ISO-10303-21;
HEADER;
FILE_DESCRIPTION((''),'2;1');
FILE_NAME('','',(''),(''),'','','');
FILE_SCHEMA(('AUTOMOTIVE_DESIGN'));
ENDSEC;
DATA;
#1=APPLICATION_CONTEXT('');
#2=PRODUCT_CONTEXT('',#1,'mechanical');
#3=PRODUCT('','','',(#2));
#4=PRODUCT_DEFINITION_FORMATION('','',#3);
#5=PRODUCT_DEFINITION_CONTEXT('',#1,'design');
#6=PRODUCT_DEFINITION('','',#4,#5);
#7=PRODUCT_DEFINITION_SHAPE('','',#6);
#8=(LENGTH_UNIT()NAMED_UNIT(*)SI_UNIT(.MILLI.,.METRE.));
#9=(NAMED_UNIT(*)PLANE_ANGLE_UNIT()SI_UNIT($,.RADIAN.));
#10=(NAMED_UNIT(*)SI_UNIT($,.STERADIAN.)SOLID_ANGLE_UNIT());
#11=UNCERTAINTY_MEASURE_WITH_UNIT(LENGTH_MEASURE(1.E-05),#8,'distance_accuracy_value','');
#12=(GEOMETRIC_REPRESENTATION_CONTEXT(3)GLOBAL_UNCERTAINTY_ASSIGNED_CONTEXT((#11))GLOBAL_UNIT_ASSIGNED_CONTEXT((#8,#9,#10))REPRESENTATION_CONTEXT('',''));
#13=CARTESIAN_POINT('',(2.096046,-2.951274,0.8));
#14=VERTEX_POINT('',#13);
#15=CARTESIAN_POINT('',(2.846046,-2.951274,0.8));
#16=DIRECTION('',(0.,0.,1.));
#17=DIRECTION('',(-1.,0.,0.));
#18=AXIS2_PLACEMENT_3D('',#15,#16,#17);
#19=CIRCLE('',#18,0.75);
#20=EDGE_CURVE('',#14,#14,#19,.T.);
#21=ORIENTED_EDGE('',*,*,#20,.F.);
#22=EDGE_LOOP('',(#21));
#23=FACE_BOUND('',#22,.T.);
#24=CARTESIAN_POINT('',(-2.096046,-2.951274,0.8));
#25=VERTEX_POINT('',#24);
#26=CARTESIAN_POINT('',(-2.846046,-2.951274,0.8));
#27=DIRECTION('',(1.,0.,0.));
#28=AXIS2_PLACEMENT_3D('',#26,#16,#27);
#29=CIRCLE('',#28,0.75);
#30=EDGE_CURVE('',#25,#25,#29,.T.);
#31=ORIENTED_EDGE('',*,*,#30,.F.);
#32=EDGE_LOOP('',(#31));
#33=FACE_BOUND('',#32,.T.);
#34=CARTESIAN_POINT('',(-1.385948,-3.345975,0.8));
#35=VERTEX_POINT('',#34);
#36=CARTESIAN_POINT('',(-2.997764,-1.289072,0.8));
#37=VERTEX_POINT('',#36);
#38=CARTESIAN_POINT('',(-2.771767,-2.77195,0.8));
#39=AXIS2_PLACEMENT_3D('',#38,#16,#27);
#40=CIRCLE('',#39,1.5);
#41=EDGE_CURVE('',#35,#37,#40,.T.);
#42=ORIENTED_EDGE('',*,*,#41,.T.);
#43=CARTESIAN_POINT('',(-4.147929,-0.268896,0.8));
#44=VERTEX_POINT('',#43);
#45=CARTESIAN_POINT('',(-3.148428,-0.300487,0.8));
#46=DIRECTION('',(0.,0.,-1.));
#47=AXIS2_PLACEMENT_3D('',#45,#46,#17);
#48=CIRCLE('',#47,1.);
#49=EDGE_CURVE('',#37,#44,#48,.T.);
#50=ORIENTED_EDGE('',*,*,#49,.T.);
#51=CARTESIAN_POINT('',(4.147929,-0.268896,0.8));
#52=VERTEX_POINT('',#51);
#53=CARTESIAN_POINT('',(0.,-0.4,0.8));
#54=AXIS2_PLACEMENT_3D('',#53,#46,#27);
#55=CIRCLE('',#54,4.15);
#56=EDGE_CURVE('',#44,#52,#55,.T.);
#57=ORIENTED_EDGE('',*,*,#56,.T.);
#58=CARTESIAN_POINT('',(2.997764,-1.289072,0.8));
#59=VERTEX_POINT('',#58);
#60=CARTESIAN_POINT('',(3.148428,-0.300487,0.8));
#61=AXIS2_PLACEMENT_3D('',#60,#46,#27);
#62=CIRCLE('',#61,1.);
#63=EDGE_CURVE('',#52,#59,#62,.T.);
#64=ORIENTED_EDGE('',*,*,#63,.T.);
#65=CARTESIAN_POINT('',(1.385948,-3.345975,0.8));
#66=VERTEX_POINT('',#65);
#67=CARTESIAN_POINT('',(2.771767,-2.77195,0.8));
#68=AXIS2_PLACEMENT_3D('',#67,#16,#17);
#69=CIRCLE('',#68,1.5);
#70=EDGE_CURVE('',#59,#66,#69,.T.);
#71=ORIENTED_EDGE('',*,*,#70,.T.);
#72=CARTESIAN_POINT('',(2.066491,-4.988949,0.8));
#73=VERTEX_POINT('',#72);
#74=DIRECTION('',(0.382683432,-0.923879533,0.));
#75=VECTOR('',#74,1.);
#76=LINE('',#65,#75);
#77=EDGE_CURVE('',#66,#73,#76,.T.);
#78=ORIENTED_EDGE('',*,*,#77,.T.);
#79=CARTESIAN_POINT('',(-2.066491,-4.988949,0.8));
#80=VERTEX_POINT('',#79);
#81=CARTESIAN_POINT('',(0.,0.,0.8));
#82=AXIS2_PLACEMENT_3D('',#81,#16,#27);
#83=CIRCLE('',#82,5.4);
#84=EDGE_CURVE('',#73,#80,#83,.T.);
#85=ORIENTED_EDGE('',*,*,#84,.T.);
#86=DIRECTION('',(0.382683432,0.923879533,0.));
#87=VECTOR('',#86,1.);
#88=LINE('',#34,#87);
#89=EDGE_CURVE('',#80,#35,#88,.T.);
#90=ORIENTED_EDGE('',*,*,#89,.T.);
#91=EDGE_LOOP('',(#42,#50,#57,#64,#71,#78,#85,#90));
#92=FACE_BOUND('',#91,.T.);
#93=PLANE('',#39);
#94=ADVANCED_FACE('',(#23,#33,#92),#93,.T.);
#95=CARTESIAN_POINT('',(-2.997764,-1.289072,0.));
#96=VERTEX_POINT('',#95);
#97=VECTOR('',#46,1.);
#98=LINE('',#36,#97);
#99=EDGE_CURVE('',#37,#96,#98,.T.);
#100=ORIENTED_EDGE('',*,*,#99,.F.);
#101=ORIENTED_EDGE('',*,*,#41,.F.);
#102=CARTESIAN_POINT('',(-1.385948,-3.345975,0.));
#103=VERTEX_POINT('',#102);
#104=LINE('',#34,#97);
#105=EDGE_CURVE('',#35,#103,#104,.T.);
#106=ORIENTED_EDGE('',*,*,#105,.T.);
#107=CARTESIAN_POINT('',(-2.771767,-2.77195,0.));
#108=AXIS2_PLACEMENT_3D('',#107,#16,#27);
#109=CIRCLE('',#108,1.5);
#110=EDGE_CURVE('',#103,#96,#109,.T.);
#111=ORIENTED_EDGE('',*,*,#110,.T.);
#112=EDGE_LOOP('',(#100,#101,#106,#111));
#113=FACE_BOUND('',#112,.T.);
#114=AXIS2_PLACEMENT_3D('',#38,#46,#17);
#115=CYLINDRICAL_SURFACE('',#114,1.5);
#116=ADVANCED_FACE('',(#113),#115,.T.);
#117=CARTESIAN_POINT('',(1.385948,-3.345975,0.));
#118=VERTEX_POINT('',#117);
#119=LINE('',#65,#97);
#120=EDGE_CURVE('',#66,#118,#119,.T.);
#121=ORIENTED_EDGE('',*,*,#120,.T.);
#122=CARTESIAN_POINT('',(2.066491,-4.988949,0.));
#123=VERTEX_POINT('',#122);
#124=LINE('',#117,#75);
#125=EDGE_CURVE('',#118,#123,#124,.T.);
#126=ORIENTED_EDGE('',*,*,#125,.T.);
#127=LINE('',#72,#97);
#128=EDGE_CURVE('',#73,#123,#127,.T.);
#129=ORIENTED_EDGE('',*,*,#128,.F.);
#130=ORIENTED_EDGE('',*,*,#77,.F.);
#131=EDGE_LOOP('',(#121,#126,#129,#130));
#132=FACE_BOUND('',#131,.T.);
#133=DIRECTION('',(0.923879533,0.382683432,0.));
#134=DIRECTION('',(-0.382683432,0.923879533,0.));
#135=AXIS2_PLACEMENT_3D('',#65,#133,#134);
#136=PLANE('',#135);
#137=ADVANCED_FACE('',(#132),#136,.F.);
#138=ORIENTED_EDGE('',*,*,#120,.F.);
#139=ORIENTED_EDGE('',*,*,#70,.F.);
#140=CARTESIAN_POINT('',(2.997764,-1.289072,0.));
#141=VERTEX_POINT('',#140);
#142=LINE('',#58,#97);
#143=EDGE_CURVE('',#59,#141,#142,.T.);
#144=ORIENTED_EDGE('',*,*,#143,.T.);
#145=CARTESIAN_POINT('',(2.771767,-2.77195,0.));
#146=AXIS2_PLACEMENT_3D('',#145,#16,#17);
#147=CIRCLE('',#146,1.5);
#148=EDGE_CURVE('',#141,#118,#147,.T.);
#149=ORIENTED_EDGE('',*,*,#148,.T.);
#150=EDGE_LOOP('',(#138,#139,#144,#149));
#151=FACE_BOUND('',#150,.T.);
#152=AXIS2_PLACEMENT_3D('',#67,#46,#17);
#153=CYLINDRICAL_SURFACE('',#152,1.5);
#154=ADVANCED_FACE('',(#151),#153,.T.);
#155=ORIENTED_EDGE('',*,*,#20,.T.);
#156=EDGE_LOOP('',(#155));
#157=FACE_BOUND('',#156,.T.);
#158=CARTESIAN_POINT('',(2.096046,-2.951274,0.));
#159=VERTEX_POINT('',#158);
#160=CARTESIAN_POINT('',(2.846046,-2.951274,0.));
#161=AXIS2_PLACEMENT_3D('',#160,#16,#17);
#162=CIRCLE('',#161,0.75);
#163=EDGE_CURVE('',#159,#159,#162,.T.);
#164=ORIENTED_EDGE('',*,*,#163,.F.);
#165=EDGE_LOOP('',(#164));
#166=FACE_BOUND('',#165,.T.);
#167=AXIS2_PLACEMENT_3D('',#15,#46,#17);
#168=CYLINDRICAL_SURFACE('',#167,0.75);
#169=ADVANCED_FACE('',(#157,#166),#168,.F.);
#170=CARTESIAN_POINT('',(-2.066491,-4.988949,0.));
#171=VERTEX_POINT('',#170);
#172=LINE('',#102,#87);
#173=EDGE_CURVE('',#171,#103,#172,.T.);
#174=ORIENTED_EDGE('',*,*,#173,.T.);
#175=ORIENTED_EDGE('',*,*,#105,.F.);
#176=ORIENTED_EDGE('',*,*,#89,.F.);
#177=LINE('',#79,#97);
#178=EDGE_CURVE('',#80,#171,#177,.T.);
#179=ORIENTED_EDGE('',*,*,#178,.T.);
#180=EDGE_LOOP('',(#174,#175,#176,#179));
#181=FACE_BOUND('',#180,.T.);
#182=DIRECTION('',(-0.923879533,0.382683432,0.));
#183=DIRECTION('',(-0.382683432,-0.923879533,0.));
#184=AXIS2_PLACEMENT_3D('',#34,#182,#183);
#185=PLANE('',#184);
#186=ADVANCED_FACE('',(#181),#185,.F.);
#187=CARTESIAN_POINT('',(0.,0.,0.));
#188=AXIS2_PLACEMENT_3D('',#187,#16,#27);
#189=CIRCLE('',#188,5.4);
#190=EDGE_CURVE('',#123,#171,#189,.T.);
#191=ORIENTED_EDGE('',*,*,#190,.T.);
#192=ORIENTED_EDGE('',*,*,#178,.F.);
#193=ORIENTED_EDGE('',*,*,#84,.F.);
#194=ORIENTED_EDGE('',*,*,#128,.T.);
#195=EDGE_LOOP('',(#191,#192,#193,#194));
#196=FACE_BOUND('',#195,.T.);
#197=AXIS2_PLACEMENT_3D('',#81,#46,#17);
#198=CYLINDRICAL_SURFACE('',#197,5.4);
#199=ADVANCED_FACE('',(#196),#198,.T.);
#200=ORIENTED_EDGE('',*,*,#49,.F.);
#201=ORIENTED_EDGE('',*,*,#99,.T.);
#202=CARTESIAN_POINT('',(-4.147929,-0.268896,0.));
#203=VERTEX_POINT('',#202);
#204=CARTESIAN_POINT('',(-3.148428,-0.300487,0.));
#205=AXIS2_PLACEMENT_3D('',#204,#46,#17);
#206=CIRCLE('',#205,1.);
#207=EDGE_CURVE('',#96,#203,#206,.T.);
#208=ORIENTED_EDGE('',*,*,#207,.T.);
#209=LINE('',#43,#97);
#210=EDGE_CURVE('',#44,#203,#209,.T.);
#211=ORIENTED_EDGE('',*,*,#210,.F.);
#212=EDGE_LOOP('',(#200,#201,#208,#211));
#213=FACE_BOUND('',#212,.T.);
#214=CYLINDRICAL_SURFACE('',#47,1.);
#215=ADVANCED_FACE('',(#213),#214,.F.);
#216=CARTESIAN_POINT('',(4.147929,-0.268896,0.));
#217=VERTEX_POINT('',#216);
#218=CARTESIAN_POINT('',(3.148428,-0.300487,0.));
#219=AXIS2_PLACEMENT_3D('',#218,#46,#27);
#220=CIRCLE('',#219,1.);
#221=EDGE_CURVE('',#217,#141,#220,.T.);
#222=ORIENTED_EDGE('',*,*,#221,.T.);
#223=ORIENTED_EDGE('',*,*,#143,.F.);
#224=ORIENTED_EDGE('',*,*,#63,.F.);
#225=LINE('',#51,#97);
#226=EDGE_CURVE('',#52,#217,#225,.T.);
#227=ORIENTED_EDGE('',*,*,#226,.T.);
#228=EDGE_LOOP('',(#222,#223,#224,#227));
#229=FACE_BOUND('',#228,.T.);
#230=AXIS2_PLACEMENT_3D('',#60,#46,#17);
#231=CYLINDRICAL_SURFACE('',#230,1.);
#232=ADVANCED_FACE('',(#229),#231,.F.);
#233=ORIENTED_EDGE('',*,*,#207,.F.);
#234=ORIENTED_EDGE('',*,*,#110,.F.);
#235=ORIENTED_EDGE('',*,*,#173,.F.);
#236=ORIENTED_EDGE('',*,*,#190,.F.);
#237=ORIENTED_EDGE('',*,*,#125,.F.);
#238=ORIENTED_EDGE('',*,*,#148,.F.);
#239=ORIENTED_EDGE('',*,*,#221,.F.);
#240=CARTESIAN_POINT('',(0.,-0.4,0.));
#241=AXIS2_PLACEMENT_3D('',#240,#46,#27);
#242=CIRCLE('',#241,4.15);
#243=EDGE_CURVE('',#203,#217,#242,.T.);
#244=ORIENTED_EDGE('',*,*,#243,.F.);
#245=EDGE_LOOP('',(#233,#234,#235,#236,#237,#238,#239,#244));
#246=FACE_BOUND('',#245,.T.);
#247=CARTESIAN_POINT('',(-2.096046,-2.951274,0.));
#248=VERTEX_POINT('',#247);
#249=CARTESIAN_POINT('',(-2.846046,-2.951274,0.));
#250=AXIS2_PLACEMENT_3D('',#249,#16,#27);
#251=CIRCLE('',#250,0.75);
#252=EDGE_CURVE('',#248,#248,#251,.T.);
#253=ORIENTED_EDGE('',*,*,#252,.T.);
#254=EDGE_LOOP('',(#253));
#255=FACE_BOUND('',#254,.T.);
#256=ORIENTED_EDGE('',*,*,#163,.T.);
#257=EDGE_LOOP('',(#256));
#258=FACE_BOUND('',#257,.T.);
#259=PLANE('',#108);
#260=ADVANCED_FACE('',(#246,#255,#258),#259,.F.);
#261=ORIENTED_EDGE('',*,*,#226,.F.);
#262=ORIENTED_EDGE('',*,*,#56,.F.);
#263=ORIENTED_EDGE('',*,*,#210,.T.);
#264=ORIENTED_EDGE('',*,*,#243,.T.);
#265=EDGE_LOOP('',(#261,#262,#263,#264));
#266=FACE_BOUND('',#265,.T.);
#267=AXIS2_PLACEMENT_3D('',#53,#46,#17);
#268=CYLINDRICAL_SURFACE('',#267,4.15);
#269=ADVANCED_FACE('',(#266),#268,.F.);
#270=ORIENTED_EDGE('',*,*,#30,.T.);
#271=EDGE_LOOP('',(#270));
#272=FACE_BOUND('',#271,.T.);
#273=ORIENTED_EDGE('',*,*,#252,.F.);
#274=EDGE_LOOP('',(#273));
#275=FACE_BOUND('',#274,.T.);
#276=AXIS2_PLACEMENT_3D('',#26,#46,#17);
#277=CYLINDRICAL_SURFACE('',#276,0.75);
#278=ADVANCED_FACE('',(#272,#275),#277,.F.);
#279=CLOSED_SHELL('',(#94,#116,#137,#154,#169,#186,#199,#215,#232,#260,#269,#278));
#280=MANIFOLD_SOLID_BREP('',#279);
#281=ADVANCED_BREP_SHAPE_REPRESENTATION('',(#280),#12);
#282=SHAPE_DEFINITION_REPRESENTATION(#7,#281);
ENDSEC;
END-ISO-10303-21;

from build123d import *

# Parameters (mm, degrees)
SKETCH_1_R        = 0.75
EXTRUDE_879_DEPTH = 0.8


with BuildPart() as part:
    # 草图1 → Extrude 879 (new body)
    with BuildSketch(Plane.XY):
        with BuildLine():
            Line((-1.385948162, -3.345974849), (-2.066490535, -4.988949476))
            ThreePointArc((-2.066490535, -4.988949476), (0, 5.4), (2.066490535, -4.988949476))
            Line((2.066490535, -4.988949476), (1.385948162, -3.345974849))
            ThreePointArc((1.385948162, -3.345974849), (1.591085636, -1.846752193), (2.997763625, -1.289072183))
            ThreePointArc((2.997763625, -1.289072183), (3.811994555, -1.04860419), (4.147928602, -0.268895796))
            ThreePointArc((4.147928602, -0.268895796), (0, 3.75), (-4.147928602, -0.268895796))
            ThreePointArc((-4.147928602, -0.268895796), (-3.811994555, -1.04860419), (-2.997763625, -1.289072183))
            ThreePointArc((-2.997763625, -1.289072183), (-1.591085636, -1.846752193), (-1.385948162, -3.345974849))
        make_face()
        with Locations((-2.84604621, -2.951274465)):
            Circle(SKETCH_1_R, mode=Mode.SUBTRACT)
        with Locations(Location((2.84604621, -2.951274465, 0), (0, 0, 180))):
            Circle(SKETCH_1_R, mode=Mode.SUBTRACT)
    extrude(amount=EXTRUDE_879_DEPTH)


solid = part.part
